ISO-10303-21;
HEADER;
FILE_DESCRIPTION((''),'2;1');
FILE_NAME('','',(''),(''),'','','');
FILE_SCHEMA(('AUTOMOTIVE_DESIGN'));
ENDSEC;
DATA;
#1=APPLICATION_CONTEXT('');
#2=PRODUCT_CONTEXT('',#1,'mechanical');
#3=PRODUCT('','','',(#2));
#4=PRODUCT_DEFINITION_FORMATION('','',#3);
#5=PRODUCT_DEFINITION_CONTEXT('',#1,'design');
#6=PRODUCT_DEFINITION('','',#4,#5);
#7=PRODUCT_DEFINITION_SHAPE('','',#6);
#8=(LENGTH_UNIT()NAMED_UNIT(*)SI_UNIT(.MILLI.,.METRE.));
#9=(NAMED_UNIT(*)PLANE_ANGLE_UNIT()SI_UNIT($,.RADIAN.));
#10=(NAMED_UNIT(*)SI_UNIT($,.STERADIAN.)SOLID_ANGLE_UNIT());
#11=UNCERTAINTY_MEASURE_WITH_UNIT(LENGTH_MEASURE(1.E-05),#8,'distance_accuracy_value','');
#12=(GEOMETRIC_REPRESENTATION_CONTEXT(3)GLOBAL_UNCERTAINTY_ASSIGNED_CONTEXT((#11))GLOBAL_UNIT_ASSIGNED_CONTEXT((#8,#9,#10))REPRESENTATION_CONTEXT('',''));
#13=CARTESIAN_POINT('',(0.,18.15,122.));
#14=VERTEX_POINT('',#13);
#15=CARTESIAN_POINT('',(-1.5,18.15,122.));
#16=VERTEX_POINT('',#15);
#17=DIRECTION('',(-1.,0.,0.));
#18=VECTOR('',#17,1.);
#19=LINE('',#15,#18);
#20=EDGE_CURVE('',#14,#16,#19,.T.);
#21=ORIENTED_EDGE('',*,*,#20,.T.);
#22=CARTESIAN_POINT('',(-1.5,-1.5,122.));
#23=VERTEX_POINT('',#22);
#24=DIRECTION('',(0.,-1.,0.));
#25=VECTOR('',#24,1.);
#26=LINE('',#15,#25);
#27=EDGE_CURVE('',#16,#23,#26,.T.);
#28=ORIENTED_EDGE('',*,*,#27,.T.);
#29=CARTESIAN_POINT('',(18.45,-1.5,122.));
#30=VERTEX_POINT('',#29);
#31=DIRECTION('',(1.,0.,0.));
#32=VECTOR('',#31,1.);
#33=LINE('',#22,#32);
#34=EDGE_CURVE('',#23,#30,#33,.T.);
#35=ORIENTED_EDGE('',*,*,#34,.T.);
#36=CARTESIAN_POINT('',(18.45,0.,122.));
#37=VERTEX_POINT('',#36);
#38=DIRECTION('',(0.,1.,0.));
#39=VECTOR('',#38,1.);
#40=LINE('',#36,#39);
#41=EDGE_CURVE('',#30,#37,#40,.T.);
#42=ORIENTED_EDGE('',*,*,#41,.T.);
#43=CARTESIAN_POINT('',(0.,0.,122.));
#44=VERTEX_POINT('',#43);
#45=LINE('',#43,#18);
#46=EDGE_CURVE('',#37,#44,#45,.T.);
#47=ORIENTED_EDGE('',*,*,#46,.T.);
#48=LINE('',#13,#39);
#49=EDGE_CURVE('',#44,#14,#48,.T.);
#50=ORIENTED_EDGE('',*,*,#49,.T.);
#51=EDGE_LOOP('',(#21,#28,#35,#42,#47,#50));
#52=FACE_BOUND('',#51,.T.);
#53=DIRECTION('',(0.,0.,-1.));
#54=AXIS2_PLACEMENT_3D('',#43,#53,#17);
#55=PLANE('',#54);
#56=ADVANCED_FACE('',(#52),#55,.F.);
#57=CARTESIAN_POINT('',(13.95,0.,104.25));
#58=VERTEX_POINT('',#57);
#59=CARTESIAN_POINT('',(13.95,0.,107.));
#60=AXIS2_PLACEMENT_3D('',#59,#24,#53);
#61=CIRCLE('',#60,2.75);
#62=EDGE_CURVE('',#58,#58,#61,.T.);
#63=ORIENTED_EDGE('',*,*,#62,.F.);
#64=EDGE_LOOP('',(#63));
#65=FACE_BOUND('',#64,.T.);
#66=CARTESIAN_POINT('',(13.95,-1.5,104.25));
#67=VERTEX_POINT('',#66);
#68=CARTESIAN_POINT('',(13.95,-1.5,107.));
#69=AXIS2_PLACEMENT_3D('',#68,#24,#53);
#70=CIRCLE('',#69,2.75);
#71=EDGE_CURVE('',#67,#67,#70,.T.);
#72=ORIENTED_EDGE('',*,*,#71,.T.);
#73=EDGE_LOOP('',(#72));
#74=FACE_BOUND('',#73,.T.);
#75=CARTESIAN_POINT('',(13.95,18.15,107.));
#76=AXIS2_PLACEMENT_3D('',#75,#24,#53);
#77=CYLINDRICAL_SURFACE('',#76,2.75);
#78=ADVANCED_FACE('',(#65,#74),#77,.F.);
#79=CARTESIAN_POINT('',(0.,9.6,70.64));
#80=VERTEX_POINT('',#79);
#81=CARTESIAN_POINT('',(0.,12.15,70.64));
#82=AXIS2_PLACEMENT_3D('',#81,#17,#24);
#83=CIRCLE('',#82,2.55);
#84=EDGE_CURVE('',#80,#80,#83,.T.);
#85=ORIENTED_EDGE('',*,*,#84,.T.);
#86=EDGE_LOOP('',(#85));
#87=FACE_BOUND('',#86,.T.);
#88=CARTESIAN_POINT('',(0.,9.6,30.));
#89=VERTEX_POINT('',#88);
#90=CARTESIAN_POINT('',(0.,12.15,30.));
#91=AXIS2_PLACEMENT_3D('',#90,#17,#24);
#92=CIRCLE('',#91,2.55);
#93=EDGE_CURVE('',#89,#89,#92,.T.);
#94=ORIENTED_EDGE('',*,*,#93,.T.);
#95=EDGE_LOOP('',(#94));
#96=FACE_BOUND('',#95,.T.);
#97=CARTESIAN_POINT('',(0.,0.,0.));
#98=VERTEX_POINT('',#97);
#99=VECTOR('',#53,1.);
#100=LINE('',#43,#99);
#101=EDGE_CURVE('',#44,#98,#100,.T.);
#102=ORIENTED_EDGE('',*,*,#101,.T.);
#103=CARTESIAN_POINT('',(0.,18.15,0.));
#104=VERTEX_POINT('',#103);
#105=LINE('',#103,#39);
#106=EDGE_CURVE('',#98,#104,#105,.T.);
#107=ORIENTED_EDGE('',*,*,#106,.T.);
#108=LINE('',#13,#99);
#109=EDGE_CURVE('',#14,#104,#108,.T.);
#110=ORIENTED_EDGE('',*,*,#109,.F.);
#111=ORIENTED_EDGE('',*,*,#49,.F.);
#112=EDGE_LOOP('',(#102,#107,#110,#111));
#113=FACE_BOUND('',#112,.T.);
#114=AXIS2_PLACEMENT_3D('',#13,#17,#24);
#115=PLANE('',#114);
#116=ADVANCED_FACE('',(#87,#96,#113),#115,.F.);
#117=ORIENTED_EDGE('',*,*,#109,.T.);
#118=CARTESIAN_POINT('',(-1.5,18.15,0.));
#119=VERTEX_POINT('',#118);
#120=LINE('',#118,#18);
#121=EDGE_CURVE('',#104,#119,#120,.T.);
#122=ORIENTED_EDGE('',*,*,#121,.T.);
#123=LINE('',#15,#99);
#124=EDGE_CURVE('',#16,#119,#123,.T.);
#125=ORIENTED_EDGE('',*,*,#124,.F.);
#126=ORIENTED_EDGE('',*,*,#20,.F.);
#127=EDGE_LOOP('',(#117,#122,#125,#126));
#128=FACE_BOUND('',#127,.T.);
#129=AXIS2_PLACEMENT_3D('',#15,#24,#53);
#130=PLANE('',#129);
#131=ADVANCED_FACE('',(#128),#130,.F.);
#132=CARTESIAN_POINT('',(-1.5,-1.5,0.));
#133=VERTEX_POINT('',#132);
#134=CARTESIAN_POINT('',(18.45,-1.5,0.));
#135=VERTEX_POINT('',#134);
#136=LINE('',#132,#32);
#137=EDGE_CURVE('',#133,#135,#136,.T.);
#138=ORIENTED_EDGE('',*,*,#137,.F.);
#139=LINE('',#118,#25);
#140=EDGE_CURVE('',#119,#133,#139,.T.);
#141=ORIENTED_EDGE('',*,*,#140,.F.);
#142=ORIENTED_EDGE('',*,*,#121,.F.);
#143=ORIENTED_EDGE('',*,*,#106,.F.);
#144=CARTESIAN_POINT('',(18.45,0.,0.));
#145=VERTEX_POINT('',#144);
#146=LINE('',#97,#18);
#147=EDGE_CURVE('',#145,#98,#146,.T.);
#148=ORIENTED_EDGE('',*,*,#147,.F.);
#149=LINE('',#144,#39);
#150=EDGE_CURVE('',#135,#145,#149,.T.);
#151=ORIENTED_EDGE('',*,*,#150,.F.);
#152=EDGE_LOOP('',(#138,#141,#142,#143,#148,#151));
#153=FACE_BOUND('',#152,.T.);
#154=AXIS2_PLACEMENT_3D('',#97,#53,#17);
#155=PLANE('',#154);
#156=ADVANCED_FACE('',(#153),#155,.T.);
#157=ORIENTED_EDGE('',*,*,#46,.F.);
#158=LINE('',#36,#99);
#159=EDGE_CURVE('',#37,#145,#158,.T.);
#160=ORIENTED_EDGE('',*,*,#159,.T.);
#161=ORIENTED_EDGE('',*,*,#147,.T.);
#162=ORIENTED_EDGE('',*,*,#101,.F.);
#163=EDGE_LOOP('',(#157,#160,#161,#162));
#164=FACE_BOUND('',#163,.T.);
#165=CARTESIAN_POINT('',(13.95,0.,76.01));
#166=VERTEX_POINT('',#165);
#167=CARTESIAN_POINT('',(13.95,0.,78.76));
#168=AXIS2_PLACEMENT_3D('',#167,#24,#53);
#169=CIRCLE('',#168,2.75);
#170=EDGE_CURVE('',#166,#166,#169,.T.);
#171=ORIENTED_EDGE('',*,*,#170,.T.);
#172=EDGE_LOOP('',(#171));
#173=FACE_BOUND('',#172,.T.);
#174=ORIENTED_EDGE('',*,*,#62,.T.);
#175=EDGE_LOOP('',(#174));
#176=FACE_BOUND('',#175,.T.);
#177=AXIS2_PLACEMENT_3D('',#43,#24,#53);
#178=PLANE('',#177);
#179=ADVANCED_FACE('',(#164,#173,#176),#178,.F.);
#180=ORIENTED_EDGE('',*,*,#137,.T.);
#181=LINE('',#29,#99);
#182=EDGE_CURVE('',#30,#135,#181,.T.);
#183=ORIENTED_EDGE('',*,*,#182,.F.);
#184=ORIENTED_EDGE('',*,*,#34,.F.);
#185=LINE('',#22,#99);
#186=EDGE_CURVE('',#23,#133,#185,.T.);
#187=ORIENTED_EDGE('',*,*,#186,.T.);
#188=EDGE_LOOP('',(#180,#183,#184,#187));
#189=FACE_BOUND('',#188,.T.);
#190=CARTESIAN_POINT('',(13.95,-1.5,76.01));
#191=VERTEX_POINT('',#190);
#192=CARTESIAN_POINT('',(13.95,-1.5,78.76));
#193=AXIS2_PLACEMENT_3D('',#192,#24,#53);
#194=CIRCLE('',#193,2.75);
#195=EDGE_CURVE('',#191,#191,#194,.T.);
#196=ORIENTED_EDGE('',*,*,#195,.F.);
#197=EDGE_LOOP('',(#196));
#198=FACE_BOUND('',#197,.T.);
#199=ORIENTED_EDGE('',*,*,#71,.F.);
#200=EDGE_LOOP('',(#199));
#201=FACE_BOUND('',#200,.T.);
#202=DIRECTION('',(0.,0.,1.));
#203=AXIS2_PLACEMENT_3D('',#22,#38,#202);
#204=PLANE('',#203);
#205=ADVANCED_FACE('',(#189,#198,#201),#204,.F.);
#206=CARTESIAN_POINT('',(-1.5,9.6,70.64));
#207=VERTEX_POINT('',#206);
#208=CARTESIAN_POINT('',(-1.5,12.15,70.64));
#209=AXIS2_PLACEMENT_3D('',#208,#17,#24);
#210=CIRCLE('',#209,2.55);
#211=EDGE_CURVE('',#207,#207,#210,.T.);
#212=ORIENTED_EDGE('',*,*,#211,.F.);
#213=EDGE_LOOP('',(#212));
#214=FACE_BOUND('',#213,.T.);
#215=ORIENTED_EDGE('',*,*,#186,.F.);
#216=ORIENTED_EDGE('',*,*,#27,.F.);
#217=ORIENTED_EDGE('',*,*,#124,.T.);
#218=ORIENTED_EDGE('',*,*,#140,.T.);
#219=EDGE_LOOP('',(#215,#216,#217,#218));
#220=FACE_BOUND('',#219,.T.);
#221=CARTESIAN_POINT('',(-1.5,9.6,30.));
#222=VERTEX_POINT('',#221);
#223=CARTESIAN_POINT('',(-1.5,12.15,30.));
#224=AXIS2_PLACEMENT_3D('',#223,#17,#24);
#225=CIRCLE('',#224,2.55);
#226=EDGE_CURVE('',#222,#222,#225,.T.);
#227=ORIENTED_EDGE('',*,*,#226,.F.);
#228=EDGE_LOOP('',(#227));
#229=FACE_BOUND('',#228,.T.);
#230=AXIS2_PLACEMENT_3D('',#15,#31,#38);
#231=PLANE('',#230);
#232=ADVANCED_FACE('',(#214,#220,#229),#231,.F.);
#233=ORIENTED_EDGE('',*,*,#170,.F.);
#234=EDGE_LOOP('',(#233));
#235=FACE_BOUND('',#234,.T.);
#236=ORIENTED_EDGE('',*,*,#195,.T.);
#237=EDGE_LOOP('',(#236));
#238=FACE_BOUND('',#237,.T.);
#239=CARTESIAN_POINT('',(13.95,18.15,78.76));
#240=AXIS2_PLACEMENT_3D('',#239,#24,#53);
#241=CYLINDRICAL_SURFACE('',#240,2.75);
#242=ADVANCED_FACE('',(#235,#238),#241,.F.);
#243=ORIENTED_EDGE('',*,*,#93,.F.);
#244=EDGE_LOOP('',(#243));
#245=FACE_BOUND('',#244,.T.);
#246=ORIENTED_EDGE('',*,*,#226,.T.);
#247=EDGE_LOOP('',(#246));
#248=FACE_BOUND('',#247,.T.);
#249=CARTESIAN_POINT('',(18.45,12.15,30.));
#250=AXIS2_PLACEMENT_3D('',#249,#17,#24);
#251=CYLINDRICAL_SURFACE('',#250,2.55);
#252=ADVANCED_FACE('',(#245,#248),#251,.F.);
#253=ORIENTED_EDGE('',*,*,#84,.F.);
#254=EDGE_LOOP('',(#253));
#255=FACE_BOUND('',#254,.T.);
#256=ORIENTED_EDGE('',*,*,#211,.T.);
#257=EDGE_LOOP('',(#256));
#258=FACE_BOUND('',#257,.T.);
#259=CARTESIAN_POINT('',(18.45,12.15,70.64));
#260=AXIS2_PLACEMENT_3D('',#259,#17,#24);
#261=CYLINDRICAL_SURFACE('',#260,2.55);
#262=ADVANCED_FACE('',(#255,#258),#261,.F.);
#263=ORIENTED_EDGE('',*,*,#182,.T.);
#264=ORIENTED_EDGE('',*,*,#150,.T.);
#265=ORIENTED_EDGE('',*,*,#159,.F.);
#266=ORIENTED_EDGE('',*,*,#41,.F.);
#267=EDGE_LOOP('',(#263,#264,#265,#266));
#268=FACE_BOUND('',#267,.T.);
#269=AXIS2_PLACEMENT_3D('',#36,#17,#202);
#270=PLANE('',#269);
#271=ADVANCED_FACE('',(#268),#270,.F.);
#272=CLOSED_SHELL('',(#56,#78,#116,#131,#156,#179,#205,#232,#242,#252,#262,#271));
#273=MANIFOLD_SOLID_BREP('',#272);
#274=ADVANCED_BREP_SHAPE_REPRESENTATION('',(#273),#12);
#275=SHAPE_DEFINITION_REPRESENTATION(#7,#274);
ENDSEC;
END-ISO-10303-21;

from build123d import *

# Parameters (mm, degrees)
BOSS_EXTRUDE1_DEPTH = 122
SKETCH2_R           = 2.75
CUT_EXTRUDE1_DEPTH  = 20.65
SKETCH3_R           = 2.55
CUT_EXTRUDE2_DEPTH  = 20.95


with BuildPart() as part:
    # Sketch1 → Boss-Extrude1 (new body)
    with BuildSketch(Plane.XY):
        Polygon((0, 18.15), (0, 0), (18.45, 0), (18.45, -1.5), (-1.5, -1.5), (-1.5, 18.15), align=None)
    extrude(amount=BOSS_EXTRUDE1_DEPTH)

    # Sketch2 → Cut-Extrude1 (cut, through all)
    with BuildSketch(Plane(origin=(0, -1.5, 0), x_dir=(-1, 0, 0), z_dir=(0, -1, 0))):
        with Locations((-13.95, -107)):
            Circle(SKETCH2_R)
        with Locations((-13.95, -78.76)):
            Circle(SKETCH2_R)
    extrude(amount=-CUT_EXTRUDE1_DEPTH, mode=Mode.SUBTRACT)

    # Sketch3 → Cut-Extrude2 (cut, through all)
    with BuildSketch(Plane.ZY.offset(1.5)):
        with Locations((30, 12.15)):
            Circle(SKETCH3_R)
        with Locations((70.64, 12.15)):
            Circle(SKETCH3_R)
    extrude(amount=-CUT_EXTRUDE2_DEPTH, mode=Mode.SUBTRACT)


solid = part.part
